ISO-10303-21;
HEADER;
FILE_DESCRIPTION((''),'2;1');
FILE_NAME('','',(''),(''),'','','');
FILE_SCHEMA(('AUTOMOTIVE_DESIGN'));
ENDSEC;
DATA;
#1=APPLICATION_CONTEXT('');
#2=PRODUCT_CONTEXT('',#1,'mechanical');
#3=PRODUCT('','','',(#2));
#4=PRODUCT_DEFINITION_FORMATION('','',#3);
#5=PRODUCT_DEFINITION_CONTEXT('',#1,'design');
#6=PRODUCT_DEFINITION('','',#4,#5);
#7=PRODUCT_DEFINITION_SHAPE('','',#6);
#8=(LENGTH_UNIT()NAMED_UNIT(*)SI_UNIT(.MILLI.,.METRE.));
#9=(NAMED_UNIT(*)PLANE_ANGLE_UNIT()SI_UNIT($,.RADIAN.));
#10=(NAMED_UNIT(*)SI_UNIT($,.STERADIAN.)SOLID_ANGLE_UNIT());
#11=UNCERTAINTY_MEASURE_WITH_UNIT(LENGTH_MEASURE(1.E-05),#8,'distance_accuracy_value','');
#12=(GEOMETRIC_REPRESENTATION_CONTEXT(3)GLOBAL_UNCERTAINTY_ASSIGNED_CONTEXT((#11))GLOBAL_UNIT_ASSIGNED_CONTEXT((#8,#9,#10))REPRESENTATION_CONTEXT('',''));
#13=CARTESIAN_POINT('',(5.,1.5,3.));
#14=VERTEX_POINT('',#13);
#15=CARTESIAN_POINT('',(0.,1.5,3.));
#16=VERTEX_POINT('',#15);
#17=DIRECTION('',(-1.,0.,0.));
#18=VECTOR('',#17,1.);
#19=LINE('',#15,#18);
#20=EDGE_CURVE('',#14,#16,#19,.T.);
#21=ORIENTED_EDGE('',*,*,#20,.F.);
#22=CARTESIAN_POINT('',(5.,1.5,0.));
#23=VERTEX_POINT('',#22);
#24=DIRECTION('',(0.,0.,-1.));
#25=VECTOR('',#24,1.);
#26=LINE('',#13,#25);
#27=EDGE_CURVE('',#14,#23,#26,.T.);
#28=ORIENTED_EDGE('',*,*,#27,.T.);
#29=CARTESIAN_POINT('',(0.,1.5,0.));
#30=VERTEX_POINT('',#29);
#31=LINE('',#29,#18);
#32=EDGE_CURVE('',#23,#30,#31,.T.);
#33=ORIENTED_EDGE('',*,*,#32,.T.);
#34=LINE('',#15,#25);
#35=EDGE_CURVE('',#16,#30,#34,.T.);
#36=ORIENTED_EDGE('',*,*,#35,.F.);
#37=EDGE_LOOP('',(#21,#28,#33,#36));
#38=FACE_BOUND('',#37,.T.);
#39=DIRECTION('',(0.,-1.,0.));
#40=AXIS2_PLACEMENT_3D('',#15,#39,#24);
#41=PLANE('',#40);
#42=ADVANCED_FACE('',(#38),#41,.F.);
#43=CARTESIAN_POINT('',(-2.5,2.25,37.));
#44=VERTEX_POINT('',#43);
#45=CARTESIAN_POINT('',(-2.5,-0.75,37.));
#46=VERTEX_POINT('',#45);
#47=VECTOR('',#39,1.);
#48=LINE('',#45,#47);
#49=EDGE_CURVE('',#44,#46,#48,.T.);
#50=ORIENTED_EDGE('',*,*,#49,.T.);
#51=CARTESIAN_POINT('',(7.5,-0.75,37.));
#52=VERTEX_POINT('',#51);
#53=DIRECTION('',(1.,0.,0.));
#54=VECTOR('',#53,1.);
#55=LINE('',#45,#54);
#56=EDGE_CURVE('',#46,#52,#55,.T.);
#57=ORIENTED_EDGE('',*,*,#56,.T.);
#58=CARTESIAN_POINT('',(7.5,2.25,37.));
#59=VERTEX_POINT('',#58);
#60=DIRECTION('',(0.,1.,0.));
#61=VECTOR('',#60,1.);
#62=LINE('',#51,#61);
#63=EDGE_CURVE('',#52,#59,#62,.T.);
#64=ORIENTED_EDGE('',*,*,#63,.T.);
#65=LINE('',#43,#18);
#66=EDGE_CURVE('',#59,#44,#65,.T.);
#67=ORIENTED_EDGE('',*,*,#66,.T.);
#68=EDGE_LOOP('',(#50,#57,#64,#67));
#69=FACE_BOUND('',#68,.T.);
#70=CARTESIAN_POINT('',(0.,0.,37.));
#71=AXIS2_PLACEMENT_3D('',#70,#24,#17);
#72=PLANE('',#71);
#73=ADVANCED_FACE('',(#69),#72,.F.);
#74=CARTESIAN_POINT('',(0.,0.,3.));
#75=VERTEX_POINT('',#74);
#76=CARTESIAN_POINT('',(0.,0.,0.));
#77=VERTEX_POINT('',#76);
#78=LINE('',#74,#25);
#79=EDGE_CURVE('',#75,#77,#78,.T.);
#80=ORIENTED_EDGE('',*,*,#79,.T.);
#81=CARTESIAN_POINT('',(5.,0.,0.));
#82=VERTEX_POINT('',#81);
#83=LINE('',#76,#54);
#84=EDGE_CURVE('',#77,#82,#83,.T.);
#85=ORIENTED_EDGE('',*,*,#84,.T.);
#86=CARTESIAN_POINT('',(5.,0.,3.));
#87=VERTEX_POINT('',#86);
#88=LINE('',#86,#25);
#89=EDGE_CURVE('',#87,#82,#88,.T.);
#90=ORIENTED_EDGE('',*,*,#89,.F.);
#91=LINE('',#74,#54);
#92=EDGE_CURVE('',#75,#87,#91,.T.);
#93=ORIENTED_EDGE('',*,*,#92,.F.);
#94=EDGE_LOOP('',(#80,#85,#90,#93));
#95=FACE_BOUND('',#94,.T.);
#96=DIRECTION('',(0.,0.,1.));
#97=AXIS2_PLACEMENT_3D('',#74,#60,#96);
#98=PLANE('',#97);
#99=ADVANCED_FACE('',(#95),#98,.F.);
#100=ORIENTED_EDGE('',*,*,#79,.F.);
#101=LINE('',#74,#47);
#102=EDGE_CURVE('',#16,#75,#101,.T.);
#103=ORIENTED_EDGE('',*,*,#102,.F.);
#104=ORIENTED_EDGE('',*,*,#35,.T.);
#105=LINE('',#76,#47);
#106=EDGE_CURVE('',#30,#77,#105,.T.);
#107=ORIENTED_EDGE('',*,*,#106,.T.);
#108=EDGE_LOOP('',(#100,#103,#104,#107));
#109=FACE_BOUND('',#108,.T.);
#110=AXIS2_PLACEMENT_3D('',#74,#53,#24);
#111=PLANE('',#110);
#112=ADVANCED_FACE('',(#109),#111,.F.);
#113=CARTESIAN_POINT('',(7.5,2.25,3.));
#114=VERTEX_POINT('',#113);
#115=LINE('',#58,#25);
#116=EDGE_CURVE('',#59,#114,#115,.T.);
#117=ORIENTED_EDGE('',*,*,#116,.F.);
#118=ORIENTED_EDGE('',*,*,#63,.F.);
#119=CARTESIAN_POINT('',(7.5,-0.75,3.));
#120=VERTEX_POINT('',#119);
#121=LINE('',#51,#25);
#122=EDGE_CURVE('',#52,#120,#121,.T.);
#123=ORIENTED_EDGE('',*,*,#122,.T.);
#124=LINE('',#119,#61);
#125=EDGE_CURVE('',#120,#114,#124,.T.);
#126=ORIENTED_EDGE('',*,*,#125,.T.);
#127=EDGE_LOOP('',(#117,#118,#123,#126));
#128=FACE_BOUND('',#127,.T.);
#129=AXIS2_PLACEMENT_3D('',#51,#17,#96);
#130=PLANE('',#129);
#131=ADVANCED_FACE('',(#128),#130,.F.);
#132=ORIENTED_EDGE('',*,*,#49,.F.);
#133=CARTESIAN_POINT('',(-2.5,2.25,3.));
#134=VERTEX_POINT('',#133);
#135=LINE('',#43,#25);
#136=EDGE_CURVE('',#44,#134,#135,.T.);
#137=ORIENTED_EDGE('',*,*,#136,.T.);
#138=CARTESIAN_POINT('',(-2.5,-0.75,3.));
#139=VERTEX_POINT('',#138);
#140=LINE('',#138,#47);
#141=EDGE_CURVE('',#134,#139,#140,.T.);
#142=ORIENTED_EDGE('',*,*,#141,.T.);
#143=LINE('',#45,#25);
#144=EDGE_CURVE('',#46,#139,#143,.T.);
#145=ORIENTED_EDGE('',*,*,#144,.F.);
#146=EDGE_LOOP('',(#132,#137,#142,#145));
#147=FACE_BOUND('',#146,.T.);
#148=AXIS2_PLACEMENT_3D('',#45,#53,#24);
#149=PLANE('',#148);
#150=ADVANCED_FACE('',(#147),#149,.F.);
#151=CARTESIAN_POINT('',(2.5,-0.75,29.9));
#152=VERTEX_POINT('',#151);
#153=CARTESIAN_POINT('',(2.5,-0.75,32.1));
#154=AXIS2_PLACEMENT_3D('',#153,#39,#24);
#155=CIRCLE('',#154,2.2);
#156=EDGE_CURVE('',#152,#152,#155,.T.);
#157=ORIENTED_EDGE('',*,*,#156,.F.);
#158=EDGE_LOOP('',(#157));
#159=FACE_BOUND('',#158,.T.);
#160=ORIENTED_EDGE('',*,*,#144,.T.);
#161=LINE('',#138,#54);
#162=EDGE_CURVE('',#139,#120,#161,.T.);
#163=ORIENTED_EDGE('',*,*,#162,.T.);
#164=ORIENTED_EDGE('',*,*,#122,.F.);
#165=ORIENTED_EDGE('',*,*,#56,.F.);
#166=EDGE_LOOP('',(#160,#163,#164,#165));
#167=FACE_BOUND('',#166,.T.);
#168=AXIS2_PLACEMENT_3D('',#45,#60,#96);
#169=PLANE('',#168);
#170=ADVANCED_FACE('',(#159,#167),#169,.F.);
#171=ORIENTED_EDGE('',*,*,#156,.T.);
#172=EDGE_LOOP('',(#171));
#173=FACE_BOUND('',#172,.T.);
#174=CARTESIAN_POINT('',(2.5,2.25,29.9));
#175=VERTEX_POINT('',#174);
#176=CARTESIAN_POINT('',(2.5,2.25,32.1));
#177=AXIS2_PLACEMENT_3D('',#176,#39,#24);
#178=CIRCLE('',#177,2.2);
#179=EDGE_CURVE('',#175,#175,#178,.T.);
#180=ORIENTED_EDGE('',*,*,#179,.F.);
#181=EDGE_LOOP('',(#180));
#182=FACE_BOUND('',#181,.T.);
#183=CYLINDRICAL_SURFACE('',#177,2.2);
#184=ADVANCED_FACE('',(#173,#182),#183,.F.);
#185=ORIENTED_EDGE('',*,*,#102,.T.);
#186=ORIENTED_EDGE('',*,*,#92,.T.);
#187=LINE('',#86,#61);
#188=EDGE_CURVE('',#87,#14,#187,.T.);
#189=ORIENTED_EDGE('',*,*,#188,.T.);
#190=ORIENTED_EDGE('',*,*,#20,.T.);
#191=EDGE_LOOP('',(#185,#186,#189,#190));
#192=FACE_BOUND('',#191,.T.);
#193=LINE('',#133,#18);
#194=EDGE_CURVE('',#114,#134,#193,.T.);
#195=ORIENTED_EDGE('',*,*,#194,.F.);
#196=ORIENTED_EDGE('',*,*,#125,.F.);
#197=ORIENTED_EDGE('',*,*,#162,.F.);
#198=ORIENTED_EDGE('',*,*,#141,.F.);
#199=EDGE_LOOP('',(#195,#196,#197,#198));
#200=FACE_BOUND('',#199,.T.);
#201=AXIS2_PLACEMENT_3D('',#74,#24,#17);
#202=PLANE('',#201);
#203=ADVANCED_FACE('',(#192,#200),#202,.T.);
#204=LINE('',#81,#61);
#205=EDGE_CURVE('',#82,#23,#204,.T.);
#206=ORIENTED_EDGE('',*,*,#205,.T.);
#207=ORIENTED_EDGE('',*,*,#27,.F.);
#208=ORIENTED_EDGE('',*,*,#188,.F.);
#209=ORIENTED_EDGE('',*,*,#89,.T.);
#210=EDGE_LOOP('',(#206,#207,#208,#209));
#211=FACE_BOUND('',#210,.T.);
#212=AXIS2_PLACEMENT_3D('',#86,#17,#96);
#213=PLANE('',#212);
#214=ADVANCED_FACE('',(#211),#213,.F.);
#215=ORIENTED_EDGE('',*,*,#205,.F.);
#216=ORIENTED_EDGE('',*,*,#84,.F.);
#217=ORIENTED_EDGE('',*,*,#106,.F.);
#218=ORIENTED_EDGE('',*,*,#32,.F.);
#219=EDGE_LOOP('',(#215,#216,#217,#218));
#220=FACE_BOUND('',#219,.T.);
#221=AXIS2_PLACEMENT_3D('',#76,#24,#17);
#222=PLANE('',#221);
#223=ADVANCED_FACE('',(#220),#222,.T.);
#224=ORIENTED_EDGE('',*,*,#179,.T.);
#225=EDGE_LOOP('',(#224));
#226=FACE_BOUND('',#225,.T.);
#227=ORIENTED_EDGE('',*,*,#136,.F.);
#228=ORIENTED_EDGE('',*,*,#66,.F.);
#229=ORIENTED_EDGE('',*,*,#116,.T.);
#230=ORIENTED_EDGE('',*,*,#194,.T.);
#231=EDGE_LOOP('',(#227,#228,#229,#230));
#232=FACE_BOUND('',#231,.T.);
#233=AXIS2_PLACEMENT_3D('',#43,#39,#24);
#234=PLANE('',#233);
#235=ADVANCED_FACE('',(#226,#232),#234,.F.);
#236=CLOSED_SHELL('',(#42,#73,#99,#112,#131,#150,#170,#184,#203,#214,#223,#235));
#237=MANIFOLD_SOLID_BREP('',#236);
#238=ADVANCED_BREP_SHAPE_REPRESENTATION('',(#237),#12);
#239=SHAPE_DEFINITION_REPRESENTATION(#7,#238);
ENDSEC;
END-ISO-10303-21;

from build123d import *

# Parameters (mm, degrees)
SKETCH1_W           = 5
SKETCH1_H           = 1.5
BOSS_EXTRUDE1_DEPTH = 3
SKETCH2_W           = 10
SKETCH2_H           = 3
BOSS_EXTRUDE2_DEPTH = 34
SKETCH3_R           = 2.2
CUT_EXTRUDE1_DEPTH  = 38.871493237


with BuildPart() as part:
    # Sketch1 → Boss-Extrude1 (new body)
    with BuildSketch(Plane.XY):
        with Locations((2.5, 0.75)):
            Rectangle(SKETCH1_W, SKETCH1_H)
    extrude(amount=BOSS_EXTRUDE1_DEPTH)

    # Sketch2 → Boss-Extrude2 (add)
    with BuildSketch(Plane.XY.offset(3)):
        with Locations((2.5, 0.75)):
            Rectangle(SKETCH2_W, SKETCH2_H)
    extrude(amount=BOSS_EXTRUDE2_DEPTH)

    # Sketch3 → Cut-Extrude1 (cut, through all)
    with BuildSketch(Plane.XZ.offset(0.75)):
        with Locations(Location((2.5, 32.1, 0), (0, 0, 270))):
            Circle(SKETCH3_R)
    extrude(amount=-CUT_EXTRUDE1_DEPTH, mode=Mode.SUBTRACT)


solid = part.part
